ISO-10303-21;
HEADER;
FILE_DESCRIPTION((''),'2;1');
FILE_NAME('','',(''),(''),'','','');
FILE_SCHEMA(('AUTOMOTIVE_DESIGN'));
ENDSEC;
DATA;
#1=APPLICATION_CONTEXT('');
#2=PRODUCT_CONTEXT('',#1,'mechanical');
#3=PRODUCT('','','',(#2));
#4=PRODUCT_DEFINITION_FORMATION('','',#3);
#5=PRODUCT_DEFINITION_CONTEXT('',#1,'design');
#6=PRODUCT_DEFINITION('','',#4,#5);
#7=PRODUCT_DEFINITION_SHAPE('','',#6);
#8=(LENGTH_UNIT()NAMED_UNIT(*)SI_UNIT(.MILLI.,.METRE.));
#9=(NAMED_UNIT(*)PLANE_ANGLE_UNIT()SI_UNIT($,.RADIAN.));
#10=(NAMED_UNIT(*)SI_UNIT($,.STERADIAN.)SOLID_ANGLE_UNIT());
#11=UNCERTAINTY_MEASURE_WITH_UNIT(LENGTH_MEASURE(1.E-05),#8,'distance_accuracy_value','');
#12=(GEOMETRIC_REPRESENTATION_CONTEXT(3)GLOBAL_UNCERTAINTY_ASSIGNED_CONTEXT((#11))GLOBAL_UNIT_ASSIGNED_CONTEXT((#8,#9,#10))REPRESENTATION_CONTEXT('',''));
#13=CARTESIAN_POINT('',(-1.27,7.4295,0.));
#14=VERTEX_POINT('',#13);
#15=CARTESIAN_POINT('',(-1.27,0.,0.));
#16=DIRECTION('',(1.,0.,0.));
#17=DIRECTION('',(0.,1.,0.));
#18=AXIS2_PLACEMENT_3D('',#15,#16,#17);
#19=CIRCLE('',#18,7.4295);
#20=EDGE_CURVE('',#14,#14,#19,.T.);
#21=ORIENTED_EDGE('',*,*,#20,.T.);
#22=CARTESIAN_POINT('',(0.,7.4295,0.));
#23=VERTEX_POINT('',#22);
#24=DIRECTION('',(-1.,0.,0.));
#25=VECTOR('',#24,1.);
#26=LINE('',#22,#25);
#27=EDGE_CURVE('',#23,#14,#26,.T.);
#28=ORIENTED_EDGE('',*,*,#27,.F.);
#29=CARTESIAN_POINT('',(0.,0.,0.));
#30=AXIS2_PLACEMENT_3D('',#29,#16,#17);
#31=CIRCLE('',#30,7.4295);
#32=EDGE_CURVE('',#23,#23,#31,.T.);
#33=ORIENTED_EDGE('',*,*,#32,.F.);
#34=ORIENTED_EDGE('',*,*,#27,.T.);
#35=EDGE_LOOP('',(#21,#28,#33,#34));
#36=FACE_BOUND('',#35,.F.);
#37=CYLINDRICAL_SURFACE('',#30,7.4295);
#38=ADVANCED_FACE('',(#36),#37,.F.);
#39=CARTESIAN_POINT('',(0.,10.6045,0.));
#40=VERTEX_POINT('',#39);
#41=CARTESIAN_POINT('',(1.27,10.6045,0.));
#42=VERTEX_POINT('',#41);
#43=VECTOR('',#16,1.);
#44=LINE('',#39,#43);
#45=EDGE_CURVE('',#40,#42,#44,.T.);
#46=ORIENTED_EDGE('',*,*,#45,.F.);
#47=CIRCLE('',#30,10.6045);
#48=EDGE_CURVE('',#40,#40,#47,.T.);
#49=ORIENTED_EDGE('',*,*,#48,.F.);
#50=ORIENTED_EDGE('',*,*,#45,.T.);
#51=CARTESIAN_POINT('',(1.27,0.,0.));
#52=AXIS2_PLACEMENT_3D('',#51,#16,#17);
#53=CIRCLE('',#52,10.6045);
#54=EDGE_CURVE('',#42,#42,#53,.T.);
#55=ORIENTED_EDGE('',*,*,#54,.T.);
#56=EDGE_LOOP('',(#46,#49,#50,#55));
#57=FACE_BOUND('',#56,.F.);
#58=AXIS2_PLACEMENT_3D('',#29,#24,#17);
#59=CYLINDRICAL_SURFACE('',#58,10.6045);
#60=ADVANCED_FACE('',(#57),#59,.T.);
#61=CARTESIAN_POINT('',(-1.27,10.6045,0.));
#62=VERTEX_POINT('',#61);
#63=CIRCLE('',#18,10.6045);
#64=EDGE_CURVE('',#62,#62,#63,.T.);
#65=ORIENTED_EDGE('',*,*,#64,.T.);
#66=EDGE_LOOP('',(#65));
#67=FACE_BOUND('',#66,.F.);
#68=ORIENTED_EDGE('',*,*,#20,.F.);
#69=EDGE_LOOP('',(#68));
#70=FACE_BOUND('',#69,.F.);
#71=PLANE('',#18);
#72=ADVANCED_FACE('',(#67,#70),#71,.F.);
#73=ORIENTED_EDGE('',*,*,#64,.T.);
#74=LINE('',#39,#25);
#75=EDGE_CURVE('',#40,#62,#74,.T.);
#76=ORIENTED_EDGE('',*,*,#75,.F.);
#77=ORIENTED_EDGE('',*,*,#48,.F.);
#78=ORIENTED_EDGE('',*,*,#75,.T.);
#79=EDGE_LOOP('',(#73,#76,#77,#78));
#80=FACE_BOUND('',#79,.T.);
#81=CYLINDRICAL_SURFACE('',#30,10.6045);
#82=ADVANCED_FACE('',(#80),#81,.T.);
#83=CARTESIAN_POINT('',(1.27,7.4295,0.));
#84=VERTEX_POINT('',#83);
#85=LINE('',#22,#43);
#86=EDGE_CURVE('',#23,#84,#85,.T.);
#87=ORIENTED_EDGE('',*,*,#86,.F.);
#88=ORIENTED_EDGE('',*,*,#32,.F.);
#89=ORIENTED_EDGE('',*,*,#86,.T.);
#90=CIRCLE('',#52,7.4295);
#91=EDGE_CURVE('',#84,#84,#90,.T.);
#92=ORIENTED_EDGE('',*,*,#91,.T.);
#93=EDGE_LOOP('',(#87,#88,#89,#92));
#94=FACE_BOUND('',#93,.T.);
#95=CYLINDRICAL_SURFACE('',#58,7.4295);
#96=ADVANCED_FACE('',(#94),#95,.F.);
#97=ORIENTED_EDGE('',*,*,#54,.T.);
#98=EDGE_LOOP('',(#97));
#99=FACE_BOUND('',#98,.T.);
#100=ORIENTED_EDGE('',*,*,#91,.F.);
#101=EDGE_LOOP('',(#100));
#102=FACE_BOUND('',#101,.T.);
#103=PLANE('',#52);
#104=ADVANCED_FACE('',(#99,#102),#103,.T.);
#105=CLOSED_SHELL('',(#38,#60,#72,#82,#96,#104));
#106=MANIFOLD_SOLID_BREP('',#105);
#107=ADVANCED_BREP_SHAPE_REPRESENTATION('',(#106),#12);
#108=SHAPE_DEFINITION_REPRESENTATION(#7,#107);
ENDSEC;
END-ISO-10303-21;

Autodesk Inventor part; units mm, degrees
ref_plane "YZ Plane" through (0, 0, 0) normal (1, 0, 0) x (0, 1, 0)
ref_plane "XZ Plane" through (0, 0, 0) normal (0, 1, 0) x (-1, 0, 0)
ref_plane "XY Plane" through (0, 0, 0) normal (0, 0, 1) x (1, 0, 0)
sketch "Sketch1" plane through (0, 0, 0) normal (1, 0, 0) x (0, 1, 0)
  circle A0 centre (0, 0) radius 7.4295
  circle A1 centre (0, 0) radius 10.6045
  dimension "d0" = 14.859
  dimension "d1" = 3.175
extrude "Extrusion1" add sketch "Sketch1" along normal mid plane 2.54
properties part number "EL2-CGB-018" material "ABS Plastic"
